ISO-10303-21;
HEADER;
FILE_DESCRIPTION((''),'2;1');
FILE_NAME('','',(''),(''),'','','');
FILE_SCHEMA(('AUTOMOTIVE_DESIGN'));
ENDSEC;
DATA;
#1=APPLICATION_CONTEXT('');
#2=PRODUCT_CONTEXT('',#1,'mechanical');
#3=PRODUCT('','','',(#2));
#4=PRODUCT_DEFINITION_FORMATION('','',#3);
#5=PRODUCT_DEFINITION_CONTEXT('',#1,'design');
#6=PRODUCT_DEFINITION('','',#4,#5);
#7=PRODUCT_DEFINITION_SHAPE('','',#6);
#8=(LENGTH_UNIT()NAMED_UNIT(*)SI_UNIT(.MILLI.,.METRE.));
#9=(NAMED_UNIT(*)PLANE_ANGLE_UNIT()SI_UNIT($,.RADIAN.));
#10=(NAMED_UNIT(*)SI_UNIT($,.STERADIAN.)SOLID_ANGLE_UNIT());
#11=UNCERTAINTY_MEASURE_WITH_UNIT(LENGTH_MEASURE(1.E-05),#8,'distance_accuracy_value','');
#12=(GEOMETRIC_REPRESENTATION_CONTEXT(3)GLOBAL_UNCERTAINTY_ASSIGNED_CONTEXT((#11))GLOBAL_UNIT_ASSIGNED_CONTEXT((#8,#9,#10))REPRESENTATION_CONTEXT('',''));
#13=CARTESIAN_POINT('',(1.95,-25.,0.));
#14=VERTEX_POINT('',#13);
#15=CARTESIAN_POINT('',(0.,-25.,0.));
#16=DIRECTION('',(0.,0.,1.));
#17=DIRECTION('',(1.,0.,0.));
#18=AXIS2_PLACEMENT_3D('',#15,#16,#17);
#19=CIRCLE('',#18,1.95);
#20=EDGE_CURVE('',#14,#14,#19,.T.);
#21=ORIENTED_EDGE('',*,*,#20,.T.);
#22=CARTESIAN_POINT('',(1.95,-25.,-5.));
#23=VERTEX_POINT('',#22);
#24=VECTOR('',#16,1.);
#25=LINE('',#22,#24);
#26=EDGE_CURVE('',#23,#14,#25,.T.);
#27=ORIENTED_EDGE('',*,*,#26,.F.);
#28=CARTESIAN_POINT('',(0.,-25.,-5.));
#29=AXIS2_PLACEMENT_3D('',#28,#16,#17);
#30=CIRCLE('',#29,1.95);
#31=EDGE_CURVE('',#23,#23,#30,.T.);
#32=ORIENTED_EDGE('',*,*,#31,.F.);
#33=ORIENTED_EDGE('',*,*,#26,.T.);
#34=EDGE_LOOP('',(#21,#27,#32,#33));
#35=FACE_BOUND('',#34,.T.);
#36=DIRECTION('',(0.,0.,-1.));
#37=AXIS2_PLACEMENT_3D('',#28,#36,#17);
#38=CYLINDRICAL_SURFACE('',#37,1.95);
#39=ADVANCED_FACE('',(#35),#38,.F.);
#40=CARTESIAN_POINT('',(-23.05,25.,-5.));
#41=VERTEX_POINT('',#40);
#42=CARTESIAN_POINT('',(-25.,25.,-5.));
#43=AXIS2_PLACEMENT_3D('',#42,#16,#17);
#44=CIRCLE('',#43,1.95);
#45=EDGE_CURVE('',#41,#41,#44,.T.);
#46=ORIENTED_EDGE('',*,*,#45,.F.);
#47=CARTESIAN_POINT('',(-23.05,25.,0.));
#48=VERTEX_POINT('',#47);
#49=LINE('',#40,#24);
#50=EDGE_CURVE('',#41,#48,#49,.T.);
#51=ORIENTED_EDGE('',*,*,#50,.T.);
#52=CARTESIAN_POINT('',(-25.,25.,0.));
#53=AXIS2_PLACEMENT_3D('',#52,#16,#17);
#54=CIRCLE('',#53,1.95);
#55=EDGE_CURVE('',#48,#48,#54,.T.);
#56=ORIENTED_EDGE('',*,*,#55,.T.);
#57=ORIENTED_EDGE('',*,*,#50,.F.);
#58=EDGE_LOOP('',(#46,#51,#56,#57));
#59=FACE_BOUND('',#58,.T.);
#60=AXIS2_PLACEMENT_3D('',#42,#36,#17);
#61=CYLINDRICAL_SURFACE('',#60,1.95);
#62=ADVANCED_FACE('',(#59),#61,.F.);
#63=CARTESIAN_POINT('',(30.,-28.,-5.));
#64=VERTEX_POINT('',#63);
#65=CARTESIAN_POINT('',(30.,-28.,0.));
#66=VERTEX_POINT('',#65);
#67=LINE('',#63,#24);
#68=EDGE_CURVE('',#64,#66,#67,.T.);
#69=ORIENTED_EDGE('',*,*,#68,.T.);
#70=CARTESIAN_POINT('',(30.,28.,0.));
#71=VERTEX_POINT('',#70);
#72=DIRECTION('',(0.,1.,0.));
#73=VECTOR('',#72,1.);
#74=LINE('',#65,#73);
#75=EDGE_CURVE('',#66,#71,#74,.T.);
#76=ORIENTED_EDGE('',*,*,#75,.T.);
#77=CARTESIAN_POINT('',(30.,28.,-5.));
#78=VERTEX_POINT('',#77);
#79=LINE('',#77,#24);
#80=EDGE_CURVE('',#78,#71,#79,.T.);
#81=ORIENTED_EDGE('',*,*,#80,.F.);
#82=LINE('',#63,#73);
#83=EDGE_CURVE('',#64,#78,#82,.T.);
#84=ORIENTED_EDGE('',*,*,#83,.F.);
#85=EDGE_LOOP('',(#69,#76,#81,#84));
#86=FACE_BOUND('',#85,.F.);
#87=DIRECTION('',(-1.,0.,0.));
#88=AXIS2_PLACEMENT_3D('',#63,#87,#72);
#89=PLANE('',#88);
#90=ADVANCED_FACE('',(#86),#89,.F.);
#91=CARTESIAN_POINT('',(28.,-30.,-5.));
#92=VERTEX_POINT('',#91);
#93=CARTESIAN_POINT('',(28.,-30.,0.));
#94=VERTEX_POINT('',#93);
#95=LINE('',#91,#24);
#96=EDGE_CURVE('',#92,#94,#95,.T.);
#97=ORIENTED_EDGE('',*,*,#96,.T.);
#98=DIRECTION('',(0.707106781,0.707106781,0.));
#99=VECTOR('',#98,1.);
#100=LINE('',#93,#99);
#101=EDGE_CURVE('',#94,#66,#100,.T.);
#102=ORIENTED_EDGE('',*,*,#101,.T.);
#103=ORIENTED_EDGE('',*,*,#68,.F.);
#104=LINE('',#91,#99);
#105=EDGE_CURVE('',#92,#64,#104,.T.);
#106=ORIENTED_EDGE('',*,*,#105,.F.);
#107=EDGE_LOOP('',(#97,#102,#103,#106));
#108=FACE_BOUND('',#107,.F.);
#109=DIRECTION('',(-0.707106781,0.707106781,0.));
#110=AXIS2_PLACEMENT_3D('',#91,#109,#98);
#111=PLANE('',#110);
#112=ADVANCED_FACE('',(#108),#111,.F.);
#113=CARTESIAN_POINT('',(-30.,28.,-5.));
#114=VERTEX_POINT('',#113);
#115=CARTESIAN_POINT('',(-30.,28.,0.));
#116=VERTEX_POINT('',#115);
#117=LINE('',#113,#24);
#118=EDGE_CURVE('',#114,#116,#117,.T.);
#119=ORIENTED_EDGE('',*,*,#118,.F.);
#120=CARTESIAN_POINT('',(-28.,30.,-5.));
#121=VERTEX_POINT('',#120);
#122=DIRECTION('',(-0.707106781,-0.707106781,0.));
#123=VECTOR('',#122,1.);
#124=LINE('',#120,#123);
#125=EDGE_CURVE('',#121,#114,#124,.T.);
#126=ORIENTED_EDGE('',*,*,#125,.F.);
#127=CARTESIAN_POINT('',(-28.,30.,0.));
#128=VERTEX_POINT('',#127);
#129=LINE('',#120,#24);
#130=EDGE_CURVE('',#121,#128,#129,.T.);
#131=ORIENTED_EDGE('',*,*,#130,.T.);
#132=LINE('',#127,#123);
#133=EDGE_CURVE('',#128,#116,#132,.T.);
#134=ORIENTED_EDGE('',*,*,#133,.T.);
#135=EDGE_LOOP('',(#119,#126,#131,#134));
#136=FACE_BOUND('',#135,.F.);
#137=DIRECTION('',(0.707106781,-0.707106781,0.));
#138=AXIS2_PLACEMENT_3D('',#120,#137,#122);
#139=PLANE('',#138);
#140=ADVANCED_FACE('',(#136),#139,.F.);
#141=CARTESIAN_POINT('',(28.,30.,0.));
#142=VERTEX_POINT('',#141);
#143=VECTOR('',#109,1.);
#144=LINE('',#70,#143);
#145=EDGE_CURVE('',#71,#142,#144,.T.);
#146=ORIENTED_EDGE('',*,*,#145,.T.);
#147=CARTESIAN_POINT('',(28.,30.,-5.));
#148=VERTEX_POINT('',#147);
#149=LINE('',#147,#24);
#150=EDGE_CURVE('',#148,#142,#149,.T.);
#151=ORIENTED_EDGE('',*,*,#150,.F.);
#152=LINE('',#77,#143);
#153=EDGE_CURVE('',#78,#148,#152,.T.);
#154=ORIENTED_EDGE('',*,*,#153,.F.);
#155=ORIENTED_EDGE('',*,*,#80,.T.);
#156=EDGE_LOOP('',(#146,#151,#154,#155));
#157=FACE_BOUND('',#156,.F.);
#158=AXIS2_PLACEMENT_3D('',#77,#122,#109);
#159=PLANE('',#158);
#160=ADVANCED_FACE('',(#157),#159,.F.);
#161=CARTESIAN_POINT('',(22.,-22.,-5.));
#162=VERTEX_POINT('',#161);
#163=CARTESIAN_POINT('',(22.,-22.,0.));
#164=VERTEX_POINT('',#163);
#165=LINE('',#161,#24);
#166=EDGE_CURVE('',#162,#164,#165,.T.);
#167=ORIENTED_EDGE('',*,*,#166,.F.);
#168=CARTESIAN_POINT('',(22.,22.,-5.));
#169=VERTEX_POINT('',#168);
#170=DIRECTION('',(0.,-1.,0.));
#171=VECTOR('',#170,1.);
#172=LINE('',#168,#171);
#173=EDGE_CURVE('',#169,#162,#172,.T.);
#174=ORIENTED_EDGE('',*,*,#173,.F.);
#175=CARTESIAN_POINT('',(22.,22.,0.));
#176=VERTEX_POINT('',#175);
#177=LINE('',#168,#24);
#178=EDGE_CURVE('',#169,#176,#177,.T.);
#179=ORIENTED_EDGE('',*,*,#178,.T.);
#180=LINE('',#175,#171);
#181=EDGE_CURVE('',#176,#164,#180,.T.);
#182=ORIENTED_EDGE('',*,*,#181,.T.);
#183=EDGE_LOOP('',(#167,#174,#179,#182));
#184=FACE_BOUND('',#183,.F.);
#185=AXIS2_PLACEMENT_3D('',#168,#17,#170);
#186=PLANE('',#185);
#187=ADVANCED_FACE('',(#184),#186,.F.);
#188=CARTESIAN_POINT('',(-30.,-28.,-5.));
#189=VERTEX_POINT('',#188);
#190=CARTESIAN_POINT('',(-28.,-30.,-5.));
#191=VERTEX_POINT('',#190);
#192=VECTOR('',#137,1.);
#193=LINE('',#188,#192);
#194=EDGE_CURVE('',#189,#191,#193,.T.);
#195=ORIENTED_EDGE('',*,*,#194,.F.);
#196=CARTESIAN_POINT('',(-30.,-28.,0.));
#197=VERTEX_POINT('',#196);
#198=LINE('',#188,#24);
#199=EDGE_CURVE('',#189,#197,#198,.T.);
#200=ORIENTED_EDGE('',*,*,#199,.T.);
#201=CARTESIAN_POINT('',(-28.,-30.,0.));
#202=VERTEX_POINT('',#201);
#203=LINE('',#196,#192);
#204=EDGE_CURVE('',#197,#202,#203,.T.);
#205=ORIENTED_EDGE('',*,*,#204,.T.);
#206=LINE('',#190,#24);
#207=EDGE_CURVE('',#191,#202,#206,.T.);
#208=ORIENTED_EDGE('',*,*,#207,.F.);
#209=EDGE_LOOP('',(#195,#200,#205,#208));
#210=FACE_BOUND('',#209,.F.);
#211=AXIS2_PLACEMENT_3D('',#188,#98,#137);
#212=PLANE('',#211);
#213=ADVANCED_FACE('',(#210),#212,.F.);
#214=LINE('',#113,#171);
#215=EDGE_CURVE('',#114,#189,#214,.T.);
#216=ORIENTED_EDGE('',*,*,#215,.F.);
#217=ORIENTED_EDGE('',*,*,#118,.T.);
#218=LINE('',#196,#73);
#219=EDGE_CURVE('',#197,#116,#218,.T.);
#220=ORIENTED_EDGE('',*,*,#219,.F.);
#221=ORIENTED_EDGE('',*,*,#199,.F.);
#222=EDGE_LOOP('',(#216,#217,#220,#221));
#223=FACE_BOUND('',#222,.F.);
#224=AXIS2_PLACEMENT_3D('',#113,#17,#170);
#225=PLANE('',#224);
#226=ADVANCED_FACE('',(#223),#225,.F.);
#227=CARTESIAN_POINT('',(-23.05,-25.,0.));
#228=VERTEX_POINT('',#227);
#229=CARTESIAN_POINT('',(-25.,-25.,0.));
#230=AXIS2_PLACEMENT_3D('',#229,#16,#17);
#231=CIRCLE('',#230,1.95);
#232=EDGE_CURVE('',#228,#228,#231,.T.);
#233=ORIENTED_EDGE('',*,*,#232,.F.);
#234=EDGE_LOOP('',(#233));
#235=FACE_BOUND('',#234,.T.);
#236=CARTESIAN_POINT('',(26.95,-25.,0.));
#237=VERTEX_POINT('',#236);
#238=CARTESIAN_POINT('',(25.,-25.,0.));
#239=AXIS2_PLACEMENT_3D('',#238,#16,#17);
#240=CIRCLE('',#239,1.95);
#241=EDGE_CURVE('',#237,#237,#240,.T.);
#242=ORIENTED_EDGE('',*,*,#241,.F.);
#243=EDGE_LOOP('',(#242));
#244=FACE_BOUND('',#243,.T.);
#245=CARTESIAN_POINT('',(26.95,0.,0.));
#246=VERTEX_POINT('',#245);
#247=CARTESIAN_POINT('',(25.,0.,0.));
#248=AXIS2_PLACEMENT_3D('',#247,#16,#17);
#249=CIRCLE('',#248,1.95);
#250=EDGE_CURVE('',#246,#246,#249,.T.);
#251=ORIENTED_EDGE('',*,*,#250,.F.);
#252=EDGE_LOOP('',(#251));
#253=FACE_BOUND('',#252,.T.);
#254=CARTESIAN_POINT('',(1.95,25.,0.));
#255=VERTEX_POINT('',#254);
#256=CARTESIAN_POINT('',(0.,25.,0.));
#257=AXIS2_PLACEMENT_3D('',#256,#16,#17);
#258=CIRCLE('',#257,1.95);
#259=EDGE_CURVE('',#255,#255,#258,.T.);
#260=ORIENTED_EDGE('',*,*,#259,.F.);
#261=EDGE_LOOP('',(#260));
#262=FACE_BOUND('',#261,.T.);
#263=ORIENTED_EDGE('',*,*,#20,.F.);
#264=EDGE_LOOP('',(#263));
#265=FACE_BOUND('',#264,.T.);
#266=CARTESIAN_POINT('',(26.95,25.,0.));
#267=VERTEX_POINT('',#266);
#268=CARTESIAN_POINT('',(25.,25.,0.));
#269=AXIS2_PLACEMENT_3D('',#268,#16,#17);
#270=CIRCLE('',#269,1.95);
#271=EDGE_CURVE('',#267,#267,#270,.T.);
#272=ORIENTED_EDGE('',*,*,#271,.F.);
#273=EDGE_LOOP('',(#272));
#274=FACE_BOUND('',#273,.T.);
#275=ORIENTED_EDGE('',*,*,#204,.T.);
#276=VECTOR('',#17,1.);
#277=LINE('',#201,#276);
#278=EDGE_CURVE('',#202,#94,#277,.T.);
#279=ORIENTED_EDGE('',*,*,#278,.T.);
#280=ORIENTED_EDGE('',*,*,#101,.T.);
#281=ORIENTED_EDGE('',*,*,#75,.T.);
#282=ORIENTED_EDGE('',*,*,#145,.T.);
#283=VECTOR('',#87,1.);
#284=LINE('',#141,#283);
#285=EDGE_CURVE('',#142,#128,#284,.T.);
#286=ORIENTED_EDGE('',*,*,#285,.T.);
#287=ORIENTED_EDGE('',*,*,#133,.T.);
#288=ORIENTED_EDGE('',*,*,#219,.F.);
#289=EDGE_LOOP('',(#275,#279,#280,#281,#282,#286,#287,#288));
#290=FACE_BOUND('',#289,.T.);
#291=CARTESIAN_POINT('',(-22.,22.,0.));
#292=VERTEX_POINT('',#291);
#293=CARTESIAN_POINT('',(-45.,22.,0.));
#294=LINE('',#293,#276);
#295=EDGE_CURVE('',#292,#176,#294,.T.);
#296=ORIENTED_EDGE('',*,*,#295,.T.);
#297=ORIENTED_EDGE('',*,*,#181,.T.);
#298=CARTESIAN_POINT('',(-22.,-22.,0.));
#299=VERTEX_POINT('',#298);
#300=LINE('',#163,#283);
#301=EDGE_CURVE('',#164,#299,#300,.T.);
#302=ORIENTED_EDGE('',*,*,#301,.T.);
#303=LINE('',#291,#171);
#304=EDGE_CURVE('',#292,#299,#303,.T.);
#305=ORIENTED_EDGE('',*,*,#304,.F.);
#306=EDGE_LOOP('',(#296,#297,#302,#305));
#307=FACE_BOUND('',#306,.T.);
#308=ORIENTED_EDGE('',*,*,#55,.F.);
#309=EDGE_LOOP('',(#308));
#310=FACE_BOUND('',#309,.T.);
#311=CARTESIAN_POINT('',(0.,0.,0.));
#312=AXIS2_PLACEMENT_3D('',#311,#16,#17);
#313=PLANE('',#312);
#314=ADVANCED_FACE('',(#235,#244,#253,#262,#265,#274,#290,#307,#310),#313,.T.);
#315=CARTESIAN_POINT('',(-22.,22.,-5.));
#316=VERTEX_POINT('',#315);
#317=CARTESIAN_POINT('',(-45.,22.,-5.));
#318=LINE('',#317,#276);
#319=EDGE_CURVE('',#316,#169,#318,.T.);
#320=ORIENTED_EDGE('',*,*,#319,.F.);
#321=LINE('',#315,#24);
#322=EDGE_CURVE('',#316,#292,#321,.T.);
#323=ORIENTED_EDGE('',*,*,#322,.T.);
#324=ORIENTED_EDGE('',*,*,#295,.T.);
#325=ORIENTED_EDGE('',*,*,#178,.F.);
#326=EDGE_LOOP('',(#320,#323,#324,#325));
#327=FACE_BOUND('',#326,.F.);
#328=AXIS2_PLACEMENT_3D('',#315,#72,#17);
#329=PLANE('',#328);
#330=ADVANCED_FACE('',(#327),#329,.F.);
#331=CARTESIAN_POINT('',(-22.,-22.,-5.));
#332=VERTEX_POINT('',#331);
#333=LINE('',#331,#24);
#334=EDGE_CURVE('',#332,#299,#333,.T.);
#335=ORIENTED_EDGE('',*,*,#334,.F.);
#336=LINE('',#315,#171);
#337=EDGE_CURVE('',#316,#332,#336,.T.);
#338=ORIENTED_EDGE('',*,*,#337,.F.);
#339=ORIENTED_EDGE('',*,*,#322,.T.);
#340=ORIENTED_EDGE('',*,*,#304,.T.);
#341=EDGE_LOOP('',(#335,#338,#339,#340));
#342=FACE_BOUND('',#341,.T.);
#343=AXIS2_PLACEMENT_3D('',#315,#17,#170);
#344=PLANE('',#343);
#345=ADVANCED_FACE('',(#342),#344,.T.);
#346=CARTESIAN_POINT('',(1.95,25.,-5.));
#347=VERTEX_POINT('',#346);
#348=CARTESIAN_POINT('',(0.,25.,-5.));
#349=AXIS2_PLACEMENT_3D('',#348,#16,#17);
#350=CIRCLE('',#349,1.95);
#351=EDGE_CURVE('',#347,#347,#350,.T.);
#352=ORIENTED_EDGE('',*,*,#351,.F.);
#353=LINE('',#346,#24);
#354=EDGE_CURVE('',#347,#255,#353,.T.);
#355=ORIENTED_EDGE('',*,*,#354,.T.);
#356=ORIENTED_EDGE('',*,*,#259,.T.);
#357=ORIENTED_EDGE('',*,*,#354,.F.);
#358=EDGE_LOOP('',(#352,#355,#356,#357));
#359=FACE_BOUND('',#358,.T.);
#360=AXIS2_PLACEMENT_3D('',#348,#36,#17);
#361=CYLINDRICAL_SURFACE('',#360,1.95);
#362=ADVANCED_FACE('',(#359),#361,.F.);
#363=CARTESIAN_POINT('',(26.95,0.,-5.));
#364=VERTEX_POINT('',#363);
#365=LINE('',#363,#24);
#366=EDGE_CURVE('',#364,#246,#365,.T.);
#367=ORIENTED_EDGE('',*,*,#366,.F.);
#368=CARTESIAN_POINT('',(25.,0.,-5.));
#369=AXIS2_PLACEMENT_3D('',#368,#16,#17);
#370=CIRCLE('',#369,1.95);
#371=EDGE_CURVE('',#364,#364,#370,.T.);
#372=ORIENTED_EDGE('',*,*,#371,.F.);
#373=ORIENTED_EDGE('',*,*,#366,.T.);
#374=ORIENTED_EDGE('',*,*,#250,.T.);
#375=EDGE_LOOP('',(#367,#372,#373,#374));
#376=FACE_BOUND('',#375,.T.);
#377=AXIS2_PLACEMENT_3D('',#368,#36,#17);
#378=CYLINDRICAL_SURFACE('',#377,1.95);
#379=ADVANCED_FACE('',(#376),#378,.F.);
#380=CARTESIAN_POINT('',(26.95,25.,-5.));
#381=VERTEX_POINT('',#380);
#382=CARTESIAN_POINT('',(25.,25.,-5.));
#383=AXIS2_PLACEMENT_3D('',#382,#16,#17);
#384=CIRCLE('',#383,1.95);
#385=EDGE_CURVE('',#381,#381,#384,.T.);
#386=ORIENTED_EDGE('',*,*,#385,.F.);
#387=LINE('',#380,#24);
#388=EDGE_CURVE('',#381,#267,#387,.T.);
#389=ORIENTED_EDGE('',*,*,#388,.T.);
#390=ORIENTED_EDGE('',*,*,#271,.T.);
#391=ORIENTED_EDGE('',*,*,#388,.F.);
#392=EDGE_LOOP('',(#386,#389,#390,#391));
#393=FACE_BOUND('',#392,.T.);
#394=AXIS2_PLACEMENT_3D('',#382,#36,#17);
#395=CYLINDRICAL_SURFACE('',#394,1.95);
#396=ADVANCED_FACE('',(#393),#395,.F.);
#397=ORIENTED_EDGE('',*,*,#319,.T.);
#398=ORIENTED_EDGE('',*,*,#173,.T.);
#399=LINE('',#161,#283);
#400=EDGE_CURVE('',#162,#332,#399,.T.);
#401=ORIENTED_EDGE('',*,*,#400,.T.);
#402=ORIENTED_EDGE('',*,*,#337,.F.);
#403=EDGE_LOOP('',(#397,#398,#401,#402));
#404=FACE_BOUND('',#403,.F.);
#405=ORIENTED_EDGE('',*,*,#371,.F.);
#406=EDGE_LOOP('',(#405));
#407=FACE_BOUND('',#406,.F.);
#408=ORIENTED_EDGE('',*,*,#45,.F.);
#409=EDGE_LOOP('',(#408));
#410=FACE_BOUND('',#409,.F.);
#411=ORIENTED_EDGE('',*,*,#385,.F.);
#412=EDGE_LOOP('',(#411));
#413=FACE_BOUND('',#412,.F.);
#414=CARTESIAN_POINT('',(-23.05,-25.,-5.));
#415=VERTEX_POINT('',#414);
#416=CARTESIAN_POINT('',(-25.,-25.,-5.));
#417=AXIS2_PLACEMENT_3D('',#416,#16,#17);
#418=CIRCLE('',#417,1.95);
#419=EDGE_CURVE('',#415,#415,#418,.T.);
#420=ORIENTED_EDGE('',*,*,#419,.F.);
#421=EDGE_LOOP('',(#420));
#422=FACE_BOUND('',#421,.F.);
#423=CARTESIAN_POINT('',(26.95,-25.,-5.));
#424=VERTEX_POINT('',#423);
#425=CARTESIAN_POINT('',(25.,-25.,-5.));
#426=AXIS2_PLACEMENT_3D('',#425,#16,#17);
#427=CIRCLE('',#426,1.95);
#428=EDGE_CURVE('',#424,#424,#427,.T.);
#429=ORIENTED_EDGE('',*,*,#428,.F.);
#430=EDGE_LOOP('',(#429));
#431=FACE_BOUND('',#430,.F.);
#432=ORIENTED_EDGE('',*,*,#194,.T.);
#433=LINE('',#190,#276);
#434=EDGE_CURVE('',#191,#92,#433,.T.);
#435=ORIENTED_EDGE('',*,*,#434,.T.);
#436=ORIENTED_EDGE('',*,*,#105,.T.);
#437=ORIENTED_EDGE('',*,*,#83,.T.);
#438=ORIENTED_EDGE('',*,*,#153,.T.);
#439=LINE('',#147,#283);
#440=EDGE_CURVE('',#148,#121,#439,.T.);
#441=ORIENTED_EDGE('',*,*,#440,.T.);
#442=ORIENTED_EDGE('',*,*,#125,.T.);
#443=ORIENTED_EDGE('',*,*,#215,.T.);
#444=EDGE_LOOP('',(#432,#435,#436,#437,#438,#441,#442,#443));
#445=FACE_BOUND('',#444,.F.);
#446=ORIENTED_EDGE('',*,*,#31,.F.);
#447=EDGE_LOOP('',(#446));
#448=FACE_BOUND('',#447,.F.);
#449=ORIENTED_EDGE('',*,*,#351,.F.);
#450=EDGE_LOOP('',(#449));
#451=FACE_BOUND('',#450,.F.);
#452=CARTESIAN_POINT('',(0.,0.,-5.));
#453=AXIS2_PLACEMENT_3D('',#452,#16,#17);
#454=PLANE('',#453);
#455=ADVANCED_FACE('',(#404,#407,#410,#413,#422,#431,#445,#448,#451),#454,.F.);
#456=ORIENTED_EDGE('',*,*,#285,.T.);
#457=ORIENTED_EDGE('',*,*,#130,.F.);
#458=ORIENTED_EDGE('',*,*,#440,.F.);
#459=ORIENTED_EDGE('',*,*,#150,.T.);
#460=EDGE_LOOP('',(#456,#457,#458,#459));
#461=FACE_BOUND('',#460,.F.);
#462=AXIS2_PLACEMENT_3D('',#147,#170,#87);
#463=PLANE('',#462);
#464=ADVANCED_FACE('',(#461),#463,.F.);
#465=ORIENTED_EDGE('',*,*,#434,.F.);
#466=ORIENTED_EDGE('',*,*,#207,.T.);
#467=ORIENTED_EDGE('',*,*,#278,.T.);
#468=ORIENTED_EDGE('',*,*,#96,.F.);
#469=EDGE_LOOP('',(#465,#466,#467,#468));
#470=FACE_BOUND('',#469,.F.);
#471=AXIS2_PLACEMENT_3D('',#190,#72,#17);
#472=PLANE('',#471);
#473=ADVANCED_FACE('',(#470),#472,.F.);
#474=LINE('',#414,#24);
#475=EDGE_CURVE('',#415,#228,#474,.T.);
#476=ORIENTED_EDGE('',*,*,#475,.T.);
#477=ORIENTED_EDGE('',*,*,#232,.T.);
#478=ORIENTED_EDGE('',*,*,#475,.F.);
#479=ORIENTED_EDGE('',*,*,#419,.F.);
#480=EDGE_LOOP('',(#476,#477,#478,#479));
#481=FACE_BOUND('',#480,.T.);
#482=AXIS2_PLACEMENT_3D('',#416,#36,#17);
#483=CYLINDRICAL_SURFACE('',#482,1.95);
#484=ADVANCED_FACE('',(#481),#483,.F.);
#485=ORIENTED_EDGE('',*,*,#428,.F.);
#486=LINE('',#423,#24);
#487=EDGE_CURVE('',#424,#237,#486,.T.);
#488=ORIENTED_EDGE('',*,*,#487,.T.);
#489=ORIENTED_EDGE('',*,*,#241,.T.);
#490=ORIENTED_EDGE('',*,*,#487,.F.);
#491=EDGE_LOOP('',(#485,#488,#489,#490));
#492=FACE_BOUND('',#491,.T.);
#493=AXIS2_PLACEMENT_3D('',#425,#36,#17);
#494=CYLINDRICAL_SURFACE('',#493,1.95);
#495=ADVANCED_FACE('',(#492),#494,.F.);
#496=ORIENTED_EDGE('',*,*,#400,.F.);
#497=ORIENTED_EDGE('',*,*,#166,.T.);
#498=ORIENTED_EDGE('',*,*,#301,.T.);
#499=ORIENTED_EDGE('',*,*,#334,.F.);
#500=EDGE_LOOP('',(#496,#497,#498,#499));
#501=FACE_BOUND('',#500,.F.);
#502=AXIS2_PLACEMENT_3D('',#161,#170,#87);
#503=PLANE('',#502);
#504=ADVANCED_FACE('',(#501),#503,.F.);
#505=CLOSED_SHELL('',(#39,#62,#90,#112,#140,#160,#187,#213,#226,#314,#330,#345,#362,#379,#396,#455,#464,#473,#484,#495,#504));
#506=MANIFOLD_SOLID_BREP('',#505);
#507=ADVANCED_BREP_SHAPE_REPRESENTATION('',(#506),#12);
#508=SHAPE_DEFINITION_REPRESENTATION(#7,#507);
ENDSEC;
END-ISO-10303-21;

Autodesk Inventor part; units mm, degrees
ref_plane "YZ Plane" through (0, 0, 0) normal (1, 0, 0) x (0, 1, 0)
ref_plane "XZ Plane" through (0, 0, 0) normal (0, 1, 0) x (-1, 0, 0)
ref_plane "XY Plane" through (0, 0, 0) normal (0, 0, 1) x (1, 0, 0)
ref_plane "Work Plane1" through (0, 0, -5) normal (0, 0, 1) x (1, 0, 0)
sketch "Sketch1" plane through (0, 0, -5) normal (0, 0, 1) x (1, 0, 0)
  line L0 (-45, 22) -> (22, 22) projected
  line L1 (22, 22) -> (22, -22) projected
  line L2 (22, -22) -> (-45, -22) projected
  line L3 (-45, -28) -> (-45, -22) projected
  line L4 (-30, -28) -> (-45, -28) projected
  line L5 (-30, -28) -> (-28, -30) projected
  line L6 (-28, -30) -> (28, -30) projected
  line L7 (28, -30) -> (30, -28) projected
  line L8 (30, -28) -> (30, 28) projected
  line L9 (30, 28) -> (28, 30) projected
  line L10 (28, 30) -> (-28, 30) projected
  line L11 (-28, 30) -> (-30, 28) projected
  line L12 (-30, 28) -> (-45, 28) projected
  line L13 (-45, 22) -> (-45, 28) projected
  circle A0 centre (25, 25) radius 1.95 projected
  circle A1 centre (25, 0) radius 1.95 projected
  circle A2 centre (0, 25) radius 1.95 projected
  circle A3 centre (-25, -25) radius 1.95 projected
  circle A4 centre (25, -25) radius 1.95 projected
  circle A5 centre (-25, 25) radius 1.95 projected
  circle A6 centre (0, -25) radius 1.95 projected
  line L14 (-30, 28) -> (-30, -28)
  line L15 (22, 22) -> (-22, 22)
  line L16 (-22, 22) -> (-22, -22)
  line L17 (-22, -22) -> (22, -22)
  line L18 (22, -22) -> (22, 22)
  point P0 (0, 0)
  dimension "d0" = 44
  dimension "d1" = 44
extrude "Extrusion1" add sketch "Sketch1" along normal blind 5 contours L0 L14 L11 L10 L9 L8 L7 L6 L5 L2 L1 | L16 L2 L14 L0
properties part number "cellSTORM_v5_cellphonespacer"
